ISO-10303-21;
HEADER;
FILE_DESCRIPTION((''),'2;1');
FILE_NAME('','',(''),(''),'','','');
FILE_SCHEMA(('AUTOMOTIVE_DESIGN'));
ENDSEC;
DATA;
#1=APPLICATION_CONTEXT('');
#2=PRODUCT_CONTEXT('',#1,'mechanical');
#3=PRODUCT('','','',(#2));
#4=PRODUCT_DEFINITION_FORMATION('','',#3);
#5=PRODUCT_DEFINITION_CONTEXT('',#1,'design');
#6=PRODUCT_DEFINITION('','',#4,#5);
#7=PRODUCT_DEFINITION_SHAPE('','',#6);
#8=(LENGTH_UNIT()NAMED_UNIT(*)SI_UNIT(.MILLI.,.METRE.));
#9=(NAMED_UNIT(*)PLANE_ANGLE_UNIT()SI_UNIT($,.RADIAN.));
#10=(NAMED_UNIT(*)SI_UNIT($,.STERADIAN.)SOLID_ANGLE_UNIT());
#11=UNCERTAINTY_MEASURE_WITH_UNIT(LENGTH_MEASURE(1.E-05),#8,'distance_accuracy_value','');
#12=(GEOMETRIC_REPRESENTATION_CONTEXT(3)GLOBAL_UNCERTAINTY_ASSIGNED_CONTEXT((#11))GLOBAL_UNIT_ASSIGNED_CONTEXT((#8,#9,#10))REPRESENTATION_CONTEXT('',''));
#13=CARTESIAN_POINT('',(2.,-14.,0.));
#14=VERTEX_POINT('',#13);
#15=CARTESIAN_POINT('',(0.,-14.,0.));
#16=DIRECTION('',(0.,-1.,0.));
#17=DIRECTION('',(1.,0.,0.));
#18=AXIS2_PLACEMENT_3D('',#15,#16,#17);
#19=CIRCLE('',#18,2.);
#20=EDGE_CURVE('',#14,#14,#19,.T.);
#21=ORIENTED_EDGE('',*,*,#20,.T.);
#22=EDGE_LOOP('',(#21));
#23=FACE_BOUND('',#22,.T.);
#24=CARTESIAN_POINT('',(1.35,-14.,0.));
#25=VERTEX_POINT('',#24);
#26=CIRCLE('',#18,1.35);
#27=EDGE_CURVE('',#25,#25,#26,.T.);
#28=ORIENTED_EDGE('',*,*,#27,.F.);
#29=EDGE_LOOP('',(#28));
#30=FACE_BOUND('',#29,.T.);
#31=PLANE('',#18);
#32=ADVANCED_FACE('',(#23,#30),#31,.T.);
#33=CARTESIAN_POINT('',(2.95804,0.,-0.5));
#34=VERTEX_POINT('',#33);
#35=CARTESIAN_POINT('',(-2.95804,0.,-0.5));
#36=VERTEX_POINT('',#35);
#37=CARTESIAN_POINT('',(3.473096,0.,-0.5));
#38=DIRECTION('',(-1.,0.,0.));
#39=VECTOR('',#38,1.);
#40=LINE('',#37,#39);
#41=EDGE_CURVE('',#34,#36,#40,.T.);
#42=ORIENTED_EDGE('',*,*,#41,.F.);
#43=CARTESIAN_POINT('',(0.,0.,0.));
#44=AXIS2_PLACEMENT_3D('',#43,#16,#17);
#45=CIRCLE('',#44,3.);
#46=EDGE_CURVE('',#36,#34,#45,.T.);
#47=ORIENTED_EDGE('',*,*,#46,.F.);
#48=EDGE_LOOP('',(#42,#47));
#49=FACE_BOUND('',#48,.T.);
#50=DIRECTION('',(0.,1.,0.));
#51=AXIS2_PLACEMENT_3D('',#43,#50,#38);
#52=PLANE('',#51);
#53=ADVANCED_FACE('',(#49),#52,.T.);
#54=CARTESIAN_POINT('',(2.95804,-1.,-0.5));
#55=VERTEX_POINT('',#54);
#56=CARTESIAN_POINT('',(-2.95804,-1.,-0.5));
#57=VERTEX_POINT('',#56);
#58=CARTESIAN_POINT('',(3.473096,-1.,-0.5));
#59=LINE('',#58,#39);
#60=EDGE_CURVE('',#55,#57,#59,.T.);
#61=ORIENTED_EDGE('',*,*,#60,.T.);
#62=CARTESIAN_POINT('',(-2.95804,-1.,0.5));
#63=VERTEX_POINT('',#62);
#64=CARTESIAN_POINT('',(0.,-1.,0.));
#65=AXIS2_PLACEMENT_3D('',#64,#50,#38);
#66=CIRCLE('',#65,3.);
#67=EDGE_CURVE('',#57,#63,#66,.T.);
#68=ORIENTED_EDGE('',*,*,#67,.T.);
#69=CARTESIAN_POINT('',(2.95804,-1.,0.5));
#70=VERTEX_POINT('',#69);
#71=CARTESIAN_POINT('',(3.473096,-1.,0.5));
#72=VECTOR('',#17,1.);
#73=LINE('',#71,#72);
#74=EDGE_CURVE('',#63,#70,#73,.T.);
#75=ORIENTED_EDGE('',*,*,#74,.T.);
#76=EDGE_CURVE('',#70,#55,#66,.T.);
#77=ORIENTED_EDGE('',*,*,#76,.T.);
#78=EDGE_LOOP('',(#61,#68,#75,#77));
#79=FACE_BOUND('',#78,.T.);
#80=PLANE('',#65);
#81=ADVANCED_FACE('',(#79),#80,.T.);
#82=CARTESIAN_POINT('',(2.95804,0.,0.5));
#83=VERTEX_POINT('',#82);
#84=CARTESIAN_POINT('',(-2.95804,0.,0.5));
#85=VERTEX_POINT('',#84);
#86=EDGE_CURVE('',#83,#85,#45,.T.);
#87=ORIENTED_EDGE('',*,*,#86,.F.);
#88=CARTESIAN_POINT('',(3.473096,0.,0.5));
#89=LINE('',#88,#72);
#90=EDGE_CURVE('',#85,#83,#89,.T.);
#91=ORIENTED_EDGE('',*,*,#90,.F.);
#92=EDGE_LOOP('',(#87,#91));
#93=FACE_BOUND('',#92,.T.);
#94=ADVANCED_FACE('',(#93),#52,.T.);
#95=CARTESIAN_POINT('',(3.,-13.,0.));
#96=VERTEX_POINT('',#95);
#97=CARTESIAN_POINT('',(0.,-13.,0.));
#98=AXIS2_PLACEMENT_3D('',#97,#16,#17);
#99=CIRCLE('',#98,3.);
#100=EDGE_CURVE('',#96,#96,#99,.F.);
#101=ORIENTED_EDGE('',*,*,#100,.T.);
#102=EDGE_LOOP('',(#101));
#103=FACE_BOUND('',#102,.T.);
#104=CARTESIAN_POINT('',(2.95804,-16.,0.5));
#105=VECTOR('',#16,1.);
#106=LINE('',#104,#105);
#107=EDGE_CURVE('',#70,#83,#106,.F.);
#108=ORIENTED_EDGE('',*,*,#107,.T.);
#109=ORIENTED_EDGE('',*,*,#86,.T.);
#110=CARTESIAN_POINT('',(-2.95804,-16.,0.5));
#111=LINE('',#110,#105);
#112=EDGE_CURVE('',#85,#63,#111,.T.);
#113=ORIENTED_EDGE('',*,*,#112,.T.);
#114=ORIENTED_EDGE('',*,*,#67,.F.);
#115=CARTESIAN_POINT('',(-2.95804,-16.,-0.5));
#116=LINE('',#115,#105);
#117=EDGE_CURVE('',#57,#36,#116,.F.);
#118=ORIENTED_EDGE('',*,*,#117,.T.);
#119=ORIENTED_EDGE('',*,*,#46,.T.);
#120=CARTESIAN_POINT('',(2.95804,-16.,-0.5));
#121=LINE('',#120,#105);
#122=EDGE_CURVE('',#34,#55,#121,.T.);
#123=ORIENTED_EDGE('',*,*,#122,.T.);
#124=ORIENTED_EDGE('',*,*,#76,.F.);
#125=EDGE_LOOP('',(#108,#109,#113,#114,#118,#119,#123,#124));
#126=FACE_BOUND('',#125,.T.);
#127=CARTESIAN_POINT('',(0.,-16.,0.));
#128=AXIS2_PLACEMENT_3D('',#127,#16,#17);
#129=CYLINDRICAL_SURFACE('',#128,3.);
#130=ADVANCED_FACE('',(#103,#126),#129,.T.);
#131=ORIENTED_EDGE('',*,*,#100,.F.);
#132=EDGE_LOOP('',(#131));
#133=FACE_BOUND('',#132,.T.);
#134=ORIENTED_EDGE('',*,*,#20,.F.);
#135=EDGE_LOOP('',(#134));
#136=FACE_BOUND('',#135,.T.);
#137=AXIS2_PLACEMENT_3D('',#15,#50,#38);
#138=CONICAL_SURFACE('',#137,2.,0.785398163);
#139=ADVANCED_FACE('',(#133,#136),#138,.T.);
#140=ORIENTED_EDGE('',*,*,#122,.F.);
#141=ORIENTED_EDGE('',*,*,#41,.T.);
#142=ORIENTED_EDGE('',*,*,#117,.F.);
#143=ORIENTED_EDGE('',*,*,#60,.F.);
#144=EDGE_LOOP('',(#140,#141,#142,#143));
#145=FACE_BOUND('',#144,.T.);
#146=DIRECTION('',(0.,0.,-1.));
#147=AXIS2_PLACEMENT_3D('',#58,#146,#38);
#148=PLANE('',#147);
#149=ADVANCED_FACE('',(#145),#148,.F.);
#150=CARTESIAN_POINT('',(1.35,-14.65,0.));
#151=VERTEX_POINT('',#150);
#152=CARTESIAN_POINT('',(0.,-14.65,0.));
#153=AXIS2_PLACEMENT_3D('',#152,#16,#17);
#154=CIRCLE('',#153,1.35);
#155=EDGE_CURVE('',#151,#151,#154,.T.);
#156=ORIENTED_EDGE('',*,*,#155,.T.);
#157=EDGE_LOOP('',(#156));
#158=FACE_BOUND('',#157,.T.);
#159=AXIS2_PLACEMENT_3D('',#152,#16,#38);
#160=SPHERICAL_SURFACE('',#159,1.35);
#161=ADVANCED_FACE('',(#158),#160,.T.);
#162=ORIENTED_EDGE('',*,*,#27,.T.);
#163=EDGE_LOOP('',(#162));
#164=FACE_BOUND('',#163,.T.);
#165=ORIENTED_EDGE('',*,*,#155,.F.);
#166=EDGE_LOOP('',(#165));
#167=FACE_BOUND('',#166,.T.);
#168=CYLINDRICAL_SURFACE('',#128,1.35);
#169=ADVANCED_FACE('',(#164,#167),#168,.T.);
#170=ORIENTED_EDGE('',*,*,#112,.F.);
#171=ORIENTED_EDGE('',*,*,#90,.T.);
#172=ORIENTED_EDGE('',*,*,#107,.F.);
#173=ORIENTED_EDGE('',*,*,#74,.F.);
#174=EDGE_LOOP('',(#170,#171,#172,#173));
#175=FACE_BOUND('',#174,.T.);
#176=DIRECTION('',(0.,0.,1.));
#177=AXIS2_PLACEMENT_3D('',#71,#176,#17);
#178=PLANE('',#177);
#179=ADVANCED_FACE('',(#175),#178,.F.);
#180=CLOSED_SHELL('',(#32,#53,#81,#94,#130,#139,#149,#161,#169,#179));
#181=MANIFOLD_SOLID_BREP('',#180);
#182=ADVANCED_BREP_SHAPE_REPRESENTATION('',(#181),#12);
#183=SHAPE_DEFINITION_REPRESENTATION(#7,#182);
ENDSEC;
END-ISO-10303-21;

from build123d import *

# Parameters (mm, degrees)
CHAMFER1_SIZE      = 1
SKETCH2_W          = 6.946191838
SKETCH2_H          = 1
CUT_EXTRUDE1_DEPTH = 1


with BuildPart() as part:
    # Sketch1 → Revolve1 (revolve)
    with BuildSketch(Plane.XY):
        with BuildLine():
            Line((0, 0), (-3, 0))
            Line((-3, 0), (-3, -14))
            Line((-3, -14), (-1.35, -14))
            Line((-1.35, -14), (-1.35, -14.65))
            ThreePointArc((-1.35, -14.65), (-0.954594155, -15.604594155), (0, -16))
            Line((0, -16), (0, 0))
        make_face()
    revolve(axis=Axis((0, -16, 0), (0, 1, 0)))

    # Chamfer1
    chamfer1_edges = [part.edges().sort_by_distance(p)[0] for p in [
        (3, -14, 0),
    ]]
    chamfer(chamfer1_edges, length=CHAMFER1_SIZE)

    # Sketch2 → Cut-Extrude1 (cut)
    with BuildSketch(Plane(origin=(0, 0, 0), x_dir=(1, 0, 0), z_dir=(0, 1, 0))):
        Rectangle(SKETCH2_W, SKETCH2_H)
    extrude(amount=-CUT_EXTRUDE1_DEPTH, mode=Mode.SUBTRACT)


solid = part.part
